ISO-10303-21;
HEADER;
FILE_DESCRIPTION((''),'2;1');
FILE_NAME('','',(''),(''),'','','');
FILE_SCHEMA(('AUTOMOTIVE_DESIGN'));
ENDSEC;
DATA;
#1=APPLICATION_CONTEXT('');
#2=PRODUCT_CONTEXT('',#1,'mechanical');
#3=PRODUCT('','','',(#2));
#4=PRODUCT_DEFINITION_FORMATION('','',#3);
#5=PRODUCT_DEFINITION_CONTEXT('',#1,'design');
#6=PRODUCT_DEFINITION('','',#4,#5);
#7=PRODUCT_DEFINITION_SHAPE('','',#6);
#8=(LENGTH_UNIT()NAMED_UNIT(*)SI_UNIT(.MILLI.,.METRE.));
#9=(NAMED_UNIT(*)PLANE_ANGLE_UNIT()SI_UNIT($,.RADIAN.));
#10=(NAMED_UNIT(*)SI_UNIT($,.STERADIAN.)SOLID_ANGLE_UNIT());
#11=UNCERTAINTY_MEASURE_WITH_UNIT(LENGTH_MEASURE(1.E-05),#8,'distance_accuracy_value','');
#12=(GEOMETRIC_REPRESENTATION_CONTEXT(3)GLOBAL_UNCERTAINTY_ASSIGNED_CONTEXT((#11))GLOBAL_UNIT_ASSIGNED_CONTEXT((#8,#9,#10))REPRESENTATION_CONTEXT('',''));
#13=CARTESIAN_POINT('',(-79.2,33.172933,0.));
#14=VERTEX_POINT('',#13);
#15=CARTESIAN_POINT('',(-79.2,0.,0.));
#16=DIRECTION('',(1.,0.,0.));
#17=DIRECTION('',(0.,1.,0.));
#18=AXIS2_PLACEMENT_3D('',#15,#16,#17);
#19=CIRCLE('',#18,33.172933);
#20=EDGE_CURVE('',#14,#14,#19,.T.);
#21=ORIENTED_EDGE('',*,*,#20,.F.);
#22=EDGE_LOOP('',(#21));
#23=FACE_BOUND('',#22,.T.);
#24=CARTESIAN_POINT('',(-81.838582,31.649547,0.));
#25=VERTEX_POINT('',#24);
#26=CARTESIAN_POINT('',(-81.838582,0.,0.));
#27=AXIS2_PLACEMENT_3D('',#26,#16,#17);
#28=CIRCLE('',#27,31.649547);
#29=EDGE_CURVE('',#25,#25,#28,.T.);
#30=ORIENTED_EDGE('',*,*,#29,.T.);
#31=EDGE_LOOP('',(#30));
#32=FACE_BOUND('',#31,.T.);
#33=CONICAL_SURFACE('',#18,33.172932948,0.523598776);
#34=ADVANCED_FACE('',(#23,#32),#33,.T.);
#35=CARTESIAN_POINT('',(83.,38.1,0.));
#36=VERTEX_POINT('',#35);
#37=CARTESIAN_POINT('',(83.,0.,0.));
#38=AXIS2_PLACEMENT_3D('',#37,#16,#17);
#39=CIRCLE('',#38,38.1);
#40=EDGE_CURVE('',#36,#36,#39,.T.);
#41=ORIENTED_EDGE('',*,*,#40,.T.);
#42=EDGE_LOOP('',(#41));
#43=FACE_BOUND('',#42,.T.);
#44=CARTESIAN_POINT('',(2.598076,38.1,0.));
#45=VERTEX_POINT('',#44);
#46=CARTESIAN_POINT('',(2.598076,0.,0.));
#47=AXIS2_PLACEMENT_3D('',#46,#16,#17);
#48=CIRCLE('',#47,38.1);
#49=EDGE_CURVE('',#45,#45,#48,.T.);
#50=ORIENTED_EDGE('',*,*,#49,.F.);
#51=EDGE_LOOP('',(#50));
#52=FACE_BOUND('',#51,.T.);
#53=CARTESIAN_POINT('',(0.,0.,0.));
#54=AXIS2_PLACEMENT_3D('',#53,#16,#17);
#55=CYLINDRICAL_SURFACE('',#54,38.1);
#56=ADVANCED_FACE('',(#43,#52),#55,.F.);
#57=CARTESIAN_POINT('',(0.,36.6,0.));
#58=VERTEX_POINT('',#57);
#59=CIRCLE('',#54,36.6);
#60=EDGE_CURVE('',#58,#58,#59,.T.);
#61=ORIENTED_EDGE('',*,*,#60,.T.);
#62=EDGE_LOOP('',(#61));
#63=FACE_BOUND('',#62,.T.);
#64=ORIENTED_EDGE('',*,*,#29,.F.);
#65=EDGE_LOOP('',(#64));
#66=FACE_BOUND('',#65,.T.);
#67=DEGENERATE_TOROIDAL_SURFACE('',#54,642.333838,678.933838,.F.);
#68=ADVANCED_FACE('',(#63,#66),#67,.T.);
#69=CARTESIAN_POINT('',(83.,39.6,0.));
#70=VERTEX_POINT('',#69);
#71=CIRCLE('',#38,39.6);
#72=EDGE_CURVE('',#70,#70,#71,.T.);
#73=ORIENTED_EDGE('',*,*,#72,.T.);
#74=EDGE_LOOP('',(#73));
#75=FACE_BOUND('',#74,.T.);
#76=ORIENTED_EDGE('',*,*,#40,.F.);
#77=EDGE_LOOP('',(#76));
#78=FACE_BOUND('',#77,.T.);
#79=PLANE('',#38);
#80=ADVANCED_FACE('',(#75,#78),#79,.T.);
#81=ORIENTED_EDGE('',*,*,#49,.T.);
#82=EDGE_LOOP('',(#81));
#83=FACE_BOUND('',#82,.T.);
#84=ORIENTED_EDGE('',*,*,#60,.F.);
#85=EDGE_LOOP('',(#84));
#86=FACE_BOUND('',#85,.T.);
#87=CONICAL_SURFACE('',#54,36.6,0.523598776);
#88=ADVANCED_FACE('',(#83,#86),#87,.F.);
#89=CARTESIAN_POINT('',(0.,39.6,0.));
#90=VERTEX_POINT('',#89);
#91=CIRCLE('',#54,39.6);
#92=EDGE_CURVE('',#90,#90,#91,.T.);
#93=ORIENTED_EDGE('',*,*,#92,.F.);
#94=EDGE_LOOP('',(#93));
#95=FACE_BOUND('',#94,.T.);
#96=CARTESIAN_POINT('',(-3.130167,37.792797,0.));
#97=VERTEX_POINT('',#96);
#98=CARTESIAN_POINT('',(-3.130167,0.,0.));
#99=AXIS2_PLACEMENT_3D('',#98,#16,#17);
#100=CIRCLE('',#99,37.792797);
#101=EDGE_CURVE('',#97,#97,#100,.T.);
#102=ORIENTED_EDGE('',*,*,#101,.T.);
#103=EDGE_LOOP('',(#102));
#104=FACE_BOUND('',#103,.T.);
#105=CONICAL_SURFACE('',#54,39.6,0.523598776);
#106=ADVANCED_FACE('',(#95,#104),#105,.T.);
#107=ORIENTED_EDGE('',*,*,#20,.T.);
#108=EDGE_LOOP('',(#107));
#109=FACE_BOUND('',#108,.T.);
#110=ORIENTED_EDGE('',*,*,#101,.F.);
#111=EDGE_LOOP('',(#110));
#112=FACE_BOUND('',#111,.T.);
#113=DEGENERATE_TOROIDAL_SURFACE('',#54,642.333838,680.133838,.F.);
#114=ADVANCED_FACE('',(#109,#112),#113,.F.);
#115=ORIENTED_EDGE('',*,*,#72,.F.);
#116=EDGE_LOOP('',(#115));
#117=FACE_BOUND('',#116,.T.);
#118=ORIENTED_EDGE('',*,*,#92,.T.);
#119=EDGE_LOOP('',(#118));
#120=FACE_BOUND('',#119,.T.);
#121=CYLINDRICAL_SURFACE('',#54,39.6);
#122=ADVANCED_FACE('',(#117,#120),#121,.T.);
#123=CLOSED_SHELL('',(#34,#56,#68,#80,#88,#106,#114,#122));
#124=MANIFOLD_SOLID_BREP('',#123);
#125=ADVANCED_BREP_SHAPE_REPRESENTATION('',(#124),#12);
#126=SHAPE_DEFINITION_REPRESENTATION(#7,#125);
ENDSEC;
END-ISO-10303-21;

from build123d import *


with BuildPart() as part:
    # Sketch1 → Revolve1 (revolve)
    with BuildSketch(Plane.XY):
        with BuildLine():
            Line((83, 39.6), (0, 39.6))
            Line((0, 39.6), (-3.130167405, 37.792797006))
            ThreePointArc((-3.130167405, 37.792797006), (-41.229842374, 36.549169367), (-79.2, 33.172932948))
            Line((-79.2, 33.172932948), (-81.838582433, 31.649546669))
            ThreePointArc((-81.838582433, 31.649546669), (-40.994086656, 35.361256598), (0, 36.6))
            Line((0, 36.6), (2.598076211, 38.1))
            Line((2.598076211, 38.1), (83, 38.1))
            Line((83, 38.1), (83, 39.6))
        make_face()
    revolve(axis=Axis((0, 0, 0), (-1, 0, 0)))


solid = part.part
